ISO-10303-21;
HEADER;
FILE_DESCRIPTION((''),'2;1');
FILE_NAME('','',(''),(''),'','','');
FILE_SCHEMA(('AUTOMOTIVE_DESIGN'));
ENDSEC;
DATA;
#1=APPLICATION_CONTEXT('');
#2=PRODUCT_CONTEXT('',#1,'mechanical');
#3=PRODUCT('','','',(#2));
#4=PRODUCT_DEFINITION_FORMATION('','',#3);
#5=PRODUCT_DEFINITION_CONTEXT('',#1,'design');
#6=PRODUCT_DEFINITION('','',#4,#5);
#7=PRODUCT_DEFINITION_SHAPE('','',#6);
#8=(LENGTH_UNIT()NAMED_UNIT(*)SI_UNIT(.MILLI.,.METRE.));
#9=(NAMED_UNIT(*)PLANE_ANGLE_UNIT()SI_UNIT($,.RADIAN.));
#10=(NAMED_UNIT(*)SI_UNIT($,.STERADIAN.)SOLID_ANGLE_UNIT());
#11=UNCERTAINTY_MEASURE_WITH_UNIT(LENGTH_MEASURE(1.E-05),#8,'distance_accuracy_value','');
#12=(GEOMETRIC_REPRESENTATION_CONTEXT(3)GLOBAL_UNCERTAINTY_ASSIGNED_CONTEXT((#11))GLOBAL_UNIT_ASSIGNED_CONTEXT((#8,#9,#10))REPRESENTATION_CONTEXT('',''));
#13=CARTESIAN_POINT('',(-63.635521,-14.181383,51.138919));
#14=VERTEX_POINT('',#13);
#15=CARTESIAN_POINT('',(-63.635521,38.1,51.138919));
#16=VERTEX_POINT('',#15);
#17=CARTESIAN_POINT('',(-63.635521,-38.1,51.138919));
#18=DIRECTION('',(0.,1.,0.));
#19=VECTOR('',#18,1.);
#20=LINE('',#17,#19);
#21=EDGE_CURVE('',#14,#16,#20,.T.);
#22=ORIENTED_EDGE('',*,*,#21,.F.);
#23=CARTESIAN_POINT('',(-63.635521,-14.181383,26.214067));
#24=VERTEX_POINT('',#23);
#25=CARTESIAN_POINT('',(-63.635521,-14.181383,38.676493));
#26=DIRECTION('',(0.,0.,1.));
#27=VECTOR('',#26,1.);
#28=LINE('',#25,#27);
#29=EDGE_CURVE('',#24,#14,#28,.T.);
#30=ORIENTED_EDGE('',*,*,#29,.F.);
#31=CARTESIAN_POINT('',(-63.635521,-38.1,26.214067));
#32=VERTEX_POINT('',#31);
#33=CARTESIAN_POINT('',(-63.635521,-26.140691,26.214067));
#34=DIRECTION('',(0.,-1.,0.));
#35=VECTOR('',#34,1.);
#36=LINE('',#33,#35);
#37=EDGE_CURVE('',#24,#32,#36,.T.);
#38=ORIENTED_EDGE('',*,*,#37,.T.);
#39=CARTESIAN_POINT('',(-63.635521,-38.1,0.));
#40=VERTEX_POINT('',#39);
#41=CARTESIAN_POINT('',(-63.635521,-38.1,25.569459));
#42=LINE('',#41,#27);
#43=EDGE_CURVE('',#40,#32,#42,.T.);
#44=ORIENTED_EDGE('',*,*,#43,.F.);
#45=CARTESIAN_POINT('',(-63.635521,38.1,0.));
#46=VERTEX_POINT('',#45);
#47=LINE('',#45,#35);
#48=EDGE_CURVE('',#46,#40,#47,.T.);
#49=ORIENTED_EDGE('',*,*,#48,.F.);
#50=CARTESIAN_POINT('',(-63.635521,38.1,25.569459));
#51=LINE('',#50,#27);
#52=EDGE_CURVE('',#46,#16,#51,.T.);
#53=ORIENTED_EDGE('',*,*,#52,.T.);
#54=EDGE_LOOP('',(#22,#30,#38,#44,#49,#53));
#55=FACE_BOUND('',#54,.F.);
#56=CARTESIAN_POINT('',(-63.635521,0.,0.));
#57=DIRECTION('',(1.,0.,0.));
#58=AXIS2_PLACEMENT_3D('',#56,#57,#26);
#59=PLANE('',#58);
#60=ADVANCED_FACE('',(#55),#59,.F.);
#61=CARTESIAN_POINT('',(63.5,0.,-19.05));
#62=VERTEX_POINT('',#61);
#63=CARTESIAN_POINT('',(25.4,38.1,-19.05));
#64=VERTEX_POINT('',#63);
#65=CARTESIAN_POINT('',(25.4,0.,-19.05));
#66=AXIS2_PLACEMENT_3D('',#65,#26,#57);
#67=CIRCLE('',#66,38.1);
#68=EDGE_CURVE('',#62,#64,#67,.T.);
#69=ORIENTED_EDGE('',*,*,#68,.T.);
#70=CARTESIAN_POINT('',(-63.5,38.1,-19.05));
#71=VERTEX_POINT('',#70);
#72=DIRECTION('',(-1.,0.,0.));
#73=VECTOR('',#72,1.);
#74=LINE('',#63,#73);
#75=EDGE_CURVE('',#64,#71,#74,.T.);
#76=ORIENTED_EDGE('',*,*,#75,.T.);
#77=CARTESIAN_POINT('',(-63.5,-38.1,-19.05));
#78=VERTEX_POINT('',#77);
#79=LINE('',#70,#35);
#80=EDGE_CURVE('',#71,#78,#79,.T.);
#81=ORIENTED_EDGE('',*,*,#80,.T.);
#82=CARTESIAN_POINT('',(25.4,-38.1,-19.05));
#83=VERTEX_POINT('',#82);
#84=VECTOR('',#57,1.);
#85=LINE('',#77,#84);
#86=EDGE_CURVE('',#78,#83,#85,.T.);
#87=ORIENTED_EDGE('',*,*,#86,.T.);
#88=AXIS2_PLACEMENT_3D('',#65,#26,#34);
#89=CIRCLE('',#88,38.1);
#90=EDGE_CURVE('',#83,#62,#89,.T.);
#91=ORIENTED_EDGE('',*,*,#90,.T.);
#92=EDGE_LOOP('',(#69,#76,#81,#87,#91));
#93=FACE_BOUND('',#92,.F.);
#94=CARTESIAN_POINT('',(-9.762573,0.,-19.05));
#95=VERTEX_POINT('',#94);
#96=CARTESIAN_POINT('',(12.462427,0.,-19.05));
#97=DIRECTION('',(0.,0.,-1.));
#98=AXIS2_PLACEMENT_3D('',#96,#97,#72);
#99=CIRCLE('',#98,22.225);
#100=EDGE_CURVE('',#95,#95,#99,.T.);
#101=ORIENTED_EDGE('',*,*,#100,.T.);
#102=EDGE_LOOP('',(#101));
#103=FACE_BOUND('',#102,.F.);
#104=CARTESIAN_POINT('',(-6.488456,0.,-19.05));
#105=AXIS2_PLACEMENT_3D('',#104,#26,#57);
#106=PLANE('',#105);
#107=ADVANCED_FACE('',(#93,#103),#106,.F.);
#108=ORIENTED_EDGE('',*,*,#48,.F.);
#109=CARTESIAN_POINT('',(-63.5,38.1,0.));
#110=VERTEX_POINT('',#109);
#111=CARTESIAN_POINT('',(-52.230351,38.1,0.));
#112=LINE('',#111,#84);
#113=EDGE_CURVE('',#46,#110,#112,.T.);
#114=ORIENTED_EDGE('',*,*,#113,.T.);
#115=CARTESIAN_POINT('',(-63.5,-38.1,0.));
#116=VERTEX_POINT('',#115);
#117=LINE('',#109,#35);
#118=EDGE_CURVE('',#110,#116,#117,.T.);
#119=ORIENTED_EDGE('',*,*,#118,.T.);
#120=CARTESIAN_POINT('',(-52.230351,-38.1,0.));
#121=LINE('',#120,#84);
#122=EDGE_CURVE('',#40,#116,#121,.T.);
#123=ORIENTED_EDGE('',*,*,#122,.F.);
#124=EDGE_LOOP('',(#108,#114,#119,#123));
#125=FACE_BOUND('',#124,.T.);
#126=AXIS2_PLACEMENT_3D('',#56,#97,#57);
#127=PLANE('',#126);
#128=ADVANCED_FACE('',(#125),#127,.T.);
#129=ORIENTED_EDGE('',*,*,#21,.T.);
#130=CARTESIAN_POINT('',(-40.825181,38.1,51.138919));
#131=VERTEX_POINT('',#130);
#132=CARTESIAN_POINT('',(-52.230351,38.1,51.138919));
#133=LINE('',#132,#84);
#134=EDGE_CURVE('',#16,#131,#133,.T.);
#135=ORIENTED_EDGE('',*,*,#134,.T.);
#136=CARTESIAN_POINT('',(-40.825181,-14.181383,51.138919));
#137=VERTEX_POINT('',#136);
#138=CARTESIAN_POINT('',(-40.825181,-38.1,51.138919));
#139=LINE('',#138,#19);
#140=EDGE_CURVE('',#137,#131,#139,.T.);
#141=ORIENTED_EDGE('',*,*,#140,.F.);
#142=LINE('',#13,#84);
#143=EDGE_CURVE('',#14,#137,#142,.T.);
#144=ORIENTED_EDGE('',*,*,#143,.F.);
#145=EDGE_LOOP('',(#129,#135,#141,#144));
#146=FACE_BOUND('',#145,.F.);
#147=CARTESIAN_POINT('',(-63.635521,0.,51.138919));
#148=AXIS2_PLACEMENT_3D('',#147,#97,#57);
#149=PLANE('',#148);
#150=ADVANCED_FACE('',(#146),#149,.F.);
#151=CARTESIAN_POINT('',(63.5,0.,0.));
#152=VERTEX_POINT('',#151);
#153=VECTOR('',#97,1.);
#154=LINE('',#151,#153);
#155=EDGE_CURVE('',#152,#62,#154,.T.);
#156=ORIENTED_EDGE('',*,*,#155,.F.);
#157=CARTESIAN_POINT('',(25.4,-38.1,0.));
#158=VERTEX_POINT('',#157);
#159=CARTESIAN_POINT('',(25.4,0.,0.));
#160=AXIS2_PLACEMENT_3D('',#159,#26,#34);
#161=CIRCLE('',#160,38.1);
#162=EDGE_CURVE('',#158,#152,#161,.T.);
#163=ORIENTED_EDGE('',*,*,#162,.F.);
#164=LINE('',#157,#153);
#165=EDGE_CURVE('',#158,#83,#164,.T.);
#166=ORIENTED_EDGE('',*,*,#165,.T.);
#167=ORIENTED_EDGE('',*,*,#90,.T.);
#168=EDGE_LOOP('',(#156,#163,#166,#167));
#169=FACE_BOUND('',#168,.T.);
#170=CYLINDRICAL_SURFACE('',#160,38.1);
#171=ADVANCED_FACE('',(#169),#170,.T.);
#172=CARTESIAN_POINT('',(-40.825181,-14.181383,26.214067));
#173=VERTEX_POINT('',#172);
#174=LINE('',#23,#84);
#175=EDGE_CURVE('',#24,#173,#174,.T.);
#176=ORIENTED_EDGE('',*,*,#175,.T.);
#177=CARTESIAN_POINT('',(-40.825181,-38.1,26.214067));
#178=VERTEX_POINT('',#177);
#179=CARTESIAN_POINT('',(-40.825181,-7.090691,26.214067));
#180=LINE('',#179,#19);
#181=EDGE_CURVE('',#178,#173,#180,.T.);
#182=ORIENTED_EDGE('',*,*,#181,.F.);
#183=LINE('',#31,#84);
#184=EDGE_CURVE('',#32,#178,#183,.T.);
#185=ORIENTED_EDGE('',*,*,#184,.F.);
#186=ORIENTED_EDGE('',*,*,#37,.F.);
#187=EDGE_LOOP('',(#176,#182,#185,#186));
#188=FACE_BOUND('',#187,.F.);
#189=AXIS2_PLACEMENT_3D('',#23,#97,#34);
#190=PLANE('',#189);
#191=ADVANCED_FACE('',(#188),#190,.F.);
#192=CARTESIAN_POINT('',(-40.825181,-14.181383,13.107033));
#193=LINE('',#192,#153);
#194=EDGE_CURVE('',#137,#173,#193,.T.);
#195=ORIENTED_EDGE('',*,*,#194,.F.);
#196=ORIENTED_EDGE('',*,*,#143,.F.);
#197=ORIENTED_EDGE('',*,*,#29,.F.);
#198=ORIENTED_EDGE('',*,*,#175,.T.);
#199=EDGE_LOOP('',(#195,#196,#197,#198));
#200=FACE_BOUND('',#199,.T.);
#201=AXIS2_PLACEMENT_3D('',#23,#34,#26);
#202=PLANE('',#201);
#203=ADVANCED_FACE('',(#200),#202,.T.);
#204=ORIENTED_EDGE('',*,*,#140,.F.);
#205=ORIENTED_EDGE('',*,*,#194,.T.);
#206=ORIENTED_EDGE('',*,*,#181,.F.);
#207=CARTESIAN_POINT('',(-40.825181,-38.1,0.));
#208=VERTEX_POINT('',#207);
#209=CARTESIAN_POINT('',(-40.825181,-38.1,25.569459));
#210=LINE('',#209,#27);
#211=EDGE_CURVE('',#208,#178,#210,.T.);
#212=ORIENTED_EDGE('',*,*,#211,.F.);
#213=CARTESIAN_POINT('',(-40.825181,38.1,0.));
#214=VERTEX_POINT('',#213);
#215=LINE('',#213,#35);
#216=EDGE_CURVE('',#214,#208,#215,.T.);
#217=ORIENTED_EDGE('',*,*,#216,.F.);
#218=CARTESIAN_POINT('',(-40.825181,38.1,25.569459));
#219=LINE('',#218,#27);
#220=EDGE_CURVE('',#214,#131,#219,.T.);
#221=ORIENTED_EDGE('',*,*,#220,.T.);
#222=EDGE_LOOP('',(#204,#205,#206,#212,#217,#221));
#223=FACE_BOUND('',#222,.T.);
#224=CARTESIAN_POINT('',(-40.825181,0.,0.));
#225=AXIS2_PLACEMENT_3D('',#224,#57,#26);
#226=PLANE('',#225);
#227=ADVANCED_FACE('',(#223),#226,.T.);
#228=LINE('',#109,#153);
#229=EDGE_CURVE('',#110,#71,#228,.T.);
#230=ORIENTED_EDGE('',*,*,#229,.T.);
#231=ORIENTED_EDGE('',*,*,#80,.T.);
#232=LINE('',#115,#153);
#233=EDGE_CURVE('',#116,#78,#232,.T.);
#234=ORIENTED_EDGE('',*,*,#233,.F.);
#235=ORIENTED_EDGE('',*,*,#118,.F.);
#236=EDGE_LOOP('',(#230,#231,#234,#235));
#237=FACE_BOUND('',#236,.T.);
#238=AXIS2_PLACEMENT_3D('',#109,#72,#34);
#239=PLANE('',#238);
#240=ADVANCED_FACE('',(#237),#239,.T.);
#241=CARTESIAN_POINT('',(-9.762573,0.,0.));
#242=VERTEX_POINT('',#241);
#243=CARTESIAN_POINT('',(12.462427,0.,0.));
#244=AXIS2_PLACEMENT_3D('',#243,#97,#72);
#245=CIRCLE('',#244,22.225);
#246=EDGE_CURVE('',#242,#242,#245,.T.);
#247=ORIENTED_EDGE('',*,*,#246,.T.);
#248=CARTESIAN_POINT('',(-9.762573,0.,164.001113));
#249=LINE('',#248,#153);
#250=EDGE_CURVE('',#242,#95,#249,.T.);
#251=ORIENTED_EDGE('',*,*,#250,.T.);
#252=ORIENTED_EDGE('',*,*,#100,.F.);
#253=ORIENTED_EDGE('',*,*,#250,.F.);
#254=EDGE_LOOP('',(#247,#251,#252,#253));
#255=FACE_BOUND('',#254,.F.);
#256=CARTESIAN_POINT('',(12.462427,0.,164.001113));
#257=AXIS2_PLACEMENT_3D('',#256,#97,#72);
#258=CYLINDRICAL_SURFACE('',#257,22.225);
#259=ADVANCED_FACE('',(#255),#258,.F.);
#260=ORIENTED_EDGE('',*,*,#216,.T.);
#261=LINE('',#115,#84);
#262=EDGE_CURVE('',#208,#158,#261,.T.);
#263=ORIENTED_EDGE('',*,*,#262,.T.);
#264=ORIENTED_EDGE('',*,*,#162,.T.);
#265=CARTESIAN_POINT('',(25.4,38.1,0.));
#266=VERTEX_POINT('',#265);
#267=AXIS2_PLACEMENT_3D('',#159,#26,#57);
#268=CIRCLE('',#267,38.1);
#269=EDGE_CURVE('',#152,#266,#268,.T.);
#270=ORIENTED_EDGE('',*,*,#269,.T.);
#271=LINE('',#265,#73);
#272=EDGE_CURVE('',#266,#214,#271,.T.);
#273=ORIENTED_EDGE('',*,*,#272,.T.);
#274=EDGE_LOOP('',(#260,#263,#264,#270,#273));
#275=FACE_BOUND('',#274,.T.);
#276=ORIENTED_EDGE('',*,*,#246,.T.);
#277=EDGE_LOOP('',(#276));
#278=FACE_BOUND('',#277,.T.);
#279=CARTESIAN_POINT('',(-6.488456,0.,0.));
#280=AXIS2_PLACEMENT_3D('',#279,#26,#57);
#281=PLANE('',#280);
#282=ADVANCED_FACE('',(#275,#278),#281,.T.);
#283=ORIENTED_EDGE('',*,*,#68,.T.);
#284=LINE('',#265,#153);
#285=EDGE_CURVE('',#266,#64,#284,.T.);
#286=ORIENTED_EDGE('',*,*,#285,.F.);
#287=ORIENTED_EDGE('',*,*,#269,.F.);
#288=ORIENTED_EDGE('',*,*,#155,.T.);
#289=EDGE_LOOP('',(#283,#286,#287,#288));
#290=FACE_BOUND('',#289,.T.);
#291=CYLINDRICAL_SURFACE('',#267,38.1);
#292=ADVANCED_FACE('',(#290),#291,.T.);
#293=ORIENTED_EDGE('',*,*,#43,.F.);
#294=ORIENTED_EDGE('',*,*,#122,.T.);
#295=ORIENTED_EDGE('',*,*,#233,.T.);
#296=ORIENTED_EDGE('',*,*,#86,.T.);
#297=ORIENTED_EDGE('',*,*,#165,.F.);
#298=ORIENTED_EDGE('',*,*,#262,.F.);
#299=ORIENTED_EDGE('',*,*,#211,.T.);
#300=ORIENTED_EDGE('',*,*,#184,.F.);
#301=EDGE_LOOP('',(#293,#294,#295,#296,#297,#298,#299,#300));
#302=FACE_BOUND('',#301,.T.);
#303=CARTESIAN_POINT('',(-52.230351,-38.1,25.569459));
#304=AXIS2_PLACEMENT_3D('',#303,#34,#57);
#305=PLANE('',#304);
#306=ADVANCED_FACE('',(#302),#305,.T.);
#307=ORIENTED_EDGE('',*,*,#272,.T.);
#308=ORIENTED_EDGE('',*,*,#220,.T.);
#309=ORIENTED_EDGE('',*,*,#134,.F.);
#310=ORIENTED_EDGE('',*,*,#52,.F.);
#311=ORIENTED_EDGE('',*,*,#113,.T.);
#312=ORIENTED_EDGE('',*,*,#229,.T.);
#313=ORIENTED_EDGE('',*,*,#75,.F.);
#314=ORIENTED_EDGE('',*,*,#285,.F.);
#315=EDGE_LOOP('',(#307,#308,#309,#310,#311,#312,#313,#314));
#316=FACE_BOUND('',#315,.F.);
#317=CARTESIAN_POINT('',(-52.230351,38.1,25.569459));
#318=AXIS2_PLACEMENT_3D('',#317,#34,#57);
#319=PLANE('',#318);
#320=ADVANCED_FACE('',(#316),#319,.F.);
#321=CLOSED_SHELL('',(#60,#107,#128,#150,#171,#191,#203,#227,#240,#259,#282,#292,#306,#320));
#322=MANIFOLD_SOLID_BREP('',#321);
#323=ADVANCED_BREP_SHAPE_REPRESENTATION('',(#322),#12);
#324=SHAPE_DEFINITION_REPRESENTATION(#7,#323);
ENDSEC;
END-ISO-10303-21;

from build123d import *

# Parameters (mm, degrees)
F1_DEPTH = 19.05
F2_W     = 22.8103399277
F2_H     = 51.1389188468
F3_DEPTH = 38.1
F4_W     = 23.9186170459
F4_H     = 24.924851954
F5_DEPTH = 25.4
F7_D     = 44.45


with BuildPart() as f1:
    # F0 (on Top) → F1 (new body)
    with BuildSketch(Plane.XY):
        with BuildLine():
            Line((25.4, 38.1), (-63.5, 38.1))
            Line((-63.5, 38.1), (-63.5, -38.1))
            Line((-63.5, -38.1), (25.4, -38.1))
            ThreePointArc((25.4, -38.1), (52.3407683632, -26.9407683632), (63.5, 0))
            ThreePointArc((63.5, 0), (52.3407683632, 26.9407683632), (25.4, 38.1))
        make_face()
    extrude(amount=-F1_DEPTH)

    # F2 (on Front) → F3 (join, symmetric)
    with BuildSketch(Plane.XZ):
        with Locations((-52.2303506732, 25.5694594234)):
            Rectangle(F2_W, F2_H)
    extrude(amount=F3_DEPTH, both=True)

    # F4 (on face) → F5 (cut)
    with BuildSketch(Plane(origin=(-63.635520637, 0, 0), x_dir=(0, -1, 0), z_dir=(-1, 0, 0))):
        with Locations((26.1406914771, 38.6764928699)):
            Rectangle(F4_W, F4_H)
    extrude(amount=-F5_DEPTH, mode=Mode.SUBTRACT)

    # F7 (through all)
    with Locations(Plane.XY):
        with Locations((12.4624269083, 0)):
            Hole(F7_D / 2)


solid = f1.part
